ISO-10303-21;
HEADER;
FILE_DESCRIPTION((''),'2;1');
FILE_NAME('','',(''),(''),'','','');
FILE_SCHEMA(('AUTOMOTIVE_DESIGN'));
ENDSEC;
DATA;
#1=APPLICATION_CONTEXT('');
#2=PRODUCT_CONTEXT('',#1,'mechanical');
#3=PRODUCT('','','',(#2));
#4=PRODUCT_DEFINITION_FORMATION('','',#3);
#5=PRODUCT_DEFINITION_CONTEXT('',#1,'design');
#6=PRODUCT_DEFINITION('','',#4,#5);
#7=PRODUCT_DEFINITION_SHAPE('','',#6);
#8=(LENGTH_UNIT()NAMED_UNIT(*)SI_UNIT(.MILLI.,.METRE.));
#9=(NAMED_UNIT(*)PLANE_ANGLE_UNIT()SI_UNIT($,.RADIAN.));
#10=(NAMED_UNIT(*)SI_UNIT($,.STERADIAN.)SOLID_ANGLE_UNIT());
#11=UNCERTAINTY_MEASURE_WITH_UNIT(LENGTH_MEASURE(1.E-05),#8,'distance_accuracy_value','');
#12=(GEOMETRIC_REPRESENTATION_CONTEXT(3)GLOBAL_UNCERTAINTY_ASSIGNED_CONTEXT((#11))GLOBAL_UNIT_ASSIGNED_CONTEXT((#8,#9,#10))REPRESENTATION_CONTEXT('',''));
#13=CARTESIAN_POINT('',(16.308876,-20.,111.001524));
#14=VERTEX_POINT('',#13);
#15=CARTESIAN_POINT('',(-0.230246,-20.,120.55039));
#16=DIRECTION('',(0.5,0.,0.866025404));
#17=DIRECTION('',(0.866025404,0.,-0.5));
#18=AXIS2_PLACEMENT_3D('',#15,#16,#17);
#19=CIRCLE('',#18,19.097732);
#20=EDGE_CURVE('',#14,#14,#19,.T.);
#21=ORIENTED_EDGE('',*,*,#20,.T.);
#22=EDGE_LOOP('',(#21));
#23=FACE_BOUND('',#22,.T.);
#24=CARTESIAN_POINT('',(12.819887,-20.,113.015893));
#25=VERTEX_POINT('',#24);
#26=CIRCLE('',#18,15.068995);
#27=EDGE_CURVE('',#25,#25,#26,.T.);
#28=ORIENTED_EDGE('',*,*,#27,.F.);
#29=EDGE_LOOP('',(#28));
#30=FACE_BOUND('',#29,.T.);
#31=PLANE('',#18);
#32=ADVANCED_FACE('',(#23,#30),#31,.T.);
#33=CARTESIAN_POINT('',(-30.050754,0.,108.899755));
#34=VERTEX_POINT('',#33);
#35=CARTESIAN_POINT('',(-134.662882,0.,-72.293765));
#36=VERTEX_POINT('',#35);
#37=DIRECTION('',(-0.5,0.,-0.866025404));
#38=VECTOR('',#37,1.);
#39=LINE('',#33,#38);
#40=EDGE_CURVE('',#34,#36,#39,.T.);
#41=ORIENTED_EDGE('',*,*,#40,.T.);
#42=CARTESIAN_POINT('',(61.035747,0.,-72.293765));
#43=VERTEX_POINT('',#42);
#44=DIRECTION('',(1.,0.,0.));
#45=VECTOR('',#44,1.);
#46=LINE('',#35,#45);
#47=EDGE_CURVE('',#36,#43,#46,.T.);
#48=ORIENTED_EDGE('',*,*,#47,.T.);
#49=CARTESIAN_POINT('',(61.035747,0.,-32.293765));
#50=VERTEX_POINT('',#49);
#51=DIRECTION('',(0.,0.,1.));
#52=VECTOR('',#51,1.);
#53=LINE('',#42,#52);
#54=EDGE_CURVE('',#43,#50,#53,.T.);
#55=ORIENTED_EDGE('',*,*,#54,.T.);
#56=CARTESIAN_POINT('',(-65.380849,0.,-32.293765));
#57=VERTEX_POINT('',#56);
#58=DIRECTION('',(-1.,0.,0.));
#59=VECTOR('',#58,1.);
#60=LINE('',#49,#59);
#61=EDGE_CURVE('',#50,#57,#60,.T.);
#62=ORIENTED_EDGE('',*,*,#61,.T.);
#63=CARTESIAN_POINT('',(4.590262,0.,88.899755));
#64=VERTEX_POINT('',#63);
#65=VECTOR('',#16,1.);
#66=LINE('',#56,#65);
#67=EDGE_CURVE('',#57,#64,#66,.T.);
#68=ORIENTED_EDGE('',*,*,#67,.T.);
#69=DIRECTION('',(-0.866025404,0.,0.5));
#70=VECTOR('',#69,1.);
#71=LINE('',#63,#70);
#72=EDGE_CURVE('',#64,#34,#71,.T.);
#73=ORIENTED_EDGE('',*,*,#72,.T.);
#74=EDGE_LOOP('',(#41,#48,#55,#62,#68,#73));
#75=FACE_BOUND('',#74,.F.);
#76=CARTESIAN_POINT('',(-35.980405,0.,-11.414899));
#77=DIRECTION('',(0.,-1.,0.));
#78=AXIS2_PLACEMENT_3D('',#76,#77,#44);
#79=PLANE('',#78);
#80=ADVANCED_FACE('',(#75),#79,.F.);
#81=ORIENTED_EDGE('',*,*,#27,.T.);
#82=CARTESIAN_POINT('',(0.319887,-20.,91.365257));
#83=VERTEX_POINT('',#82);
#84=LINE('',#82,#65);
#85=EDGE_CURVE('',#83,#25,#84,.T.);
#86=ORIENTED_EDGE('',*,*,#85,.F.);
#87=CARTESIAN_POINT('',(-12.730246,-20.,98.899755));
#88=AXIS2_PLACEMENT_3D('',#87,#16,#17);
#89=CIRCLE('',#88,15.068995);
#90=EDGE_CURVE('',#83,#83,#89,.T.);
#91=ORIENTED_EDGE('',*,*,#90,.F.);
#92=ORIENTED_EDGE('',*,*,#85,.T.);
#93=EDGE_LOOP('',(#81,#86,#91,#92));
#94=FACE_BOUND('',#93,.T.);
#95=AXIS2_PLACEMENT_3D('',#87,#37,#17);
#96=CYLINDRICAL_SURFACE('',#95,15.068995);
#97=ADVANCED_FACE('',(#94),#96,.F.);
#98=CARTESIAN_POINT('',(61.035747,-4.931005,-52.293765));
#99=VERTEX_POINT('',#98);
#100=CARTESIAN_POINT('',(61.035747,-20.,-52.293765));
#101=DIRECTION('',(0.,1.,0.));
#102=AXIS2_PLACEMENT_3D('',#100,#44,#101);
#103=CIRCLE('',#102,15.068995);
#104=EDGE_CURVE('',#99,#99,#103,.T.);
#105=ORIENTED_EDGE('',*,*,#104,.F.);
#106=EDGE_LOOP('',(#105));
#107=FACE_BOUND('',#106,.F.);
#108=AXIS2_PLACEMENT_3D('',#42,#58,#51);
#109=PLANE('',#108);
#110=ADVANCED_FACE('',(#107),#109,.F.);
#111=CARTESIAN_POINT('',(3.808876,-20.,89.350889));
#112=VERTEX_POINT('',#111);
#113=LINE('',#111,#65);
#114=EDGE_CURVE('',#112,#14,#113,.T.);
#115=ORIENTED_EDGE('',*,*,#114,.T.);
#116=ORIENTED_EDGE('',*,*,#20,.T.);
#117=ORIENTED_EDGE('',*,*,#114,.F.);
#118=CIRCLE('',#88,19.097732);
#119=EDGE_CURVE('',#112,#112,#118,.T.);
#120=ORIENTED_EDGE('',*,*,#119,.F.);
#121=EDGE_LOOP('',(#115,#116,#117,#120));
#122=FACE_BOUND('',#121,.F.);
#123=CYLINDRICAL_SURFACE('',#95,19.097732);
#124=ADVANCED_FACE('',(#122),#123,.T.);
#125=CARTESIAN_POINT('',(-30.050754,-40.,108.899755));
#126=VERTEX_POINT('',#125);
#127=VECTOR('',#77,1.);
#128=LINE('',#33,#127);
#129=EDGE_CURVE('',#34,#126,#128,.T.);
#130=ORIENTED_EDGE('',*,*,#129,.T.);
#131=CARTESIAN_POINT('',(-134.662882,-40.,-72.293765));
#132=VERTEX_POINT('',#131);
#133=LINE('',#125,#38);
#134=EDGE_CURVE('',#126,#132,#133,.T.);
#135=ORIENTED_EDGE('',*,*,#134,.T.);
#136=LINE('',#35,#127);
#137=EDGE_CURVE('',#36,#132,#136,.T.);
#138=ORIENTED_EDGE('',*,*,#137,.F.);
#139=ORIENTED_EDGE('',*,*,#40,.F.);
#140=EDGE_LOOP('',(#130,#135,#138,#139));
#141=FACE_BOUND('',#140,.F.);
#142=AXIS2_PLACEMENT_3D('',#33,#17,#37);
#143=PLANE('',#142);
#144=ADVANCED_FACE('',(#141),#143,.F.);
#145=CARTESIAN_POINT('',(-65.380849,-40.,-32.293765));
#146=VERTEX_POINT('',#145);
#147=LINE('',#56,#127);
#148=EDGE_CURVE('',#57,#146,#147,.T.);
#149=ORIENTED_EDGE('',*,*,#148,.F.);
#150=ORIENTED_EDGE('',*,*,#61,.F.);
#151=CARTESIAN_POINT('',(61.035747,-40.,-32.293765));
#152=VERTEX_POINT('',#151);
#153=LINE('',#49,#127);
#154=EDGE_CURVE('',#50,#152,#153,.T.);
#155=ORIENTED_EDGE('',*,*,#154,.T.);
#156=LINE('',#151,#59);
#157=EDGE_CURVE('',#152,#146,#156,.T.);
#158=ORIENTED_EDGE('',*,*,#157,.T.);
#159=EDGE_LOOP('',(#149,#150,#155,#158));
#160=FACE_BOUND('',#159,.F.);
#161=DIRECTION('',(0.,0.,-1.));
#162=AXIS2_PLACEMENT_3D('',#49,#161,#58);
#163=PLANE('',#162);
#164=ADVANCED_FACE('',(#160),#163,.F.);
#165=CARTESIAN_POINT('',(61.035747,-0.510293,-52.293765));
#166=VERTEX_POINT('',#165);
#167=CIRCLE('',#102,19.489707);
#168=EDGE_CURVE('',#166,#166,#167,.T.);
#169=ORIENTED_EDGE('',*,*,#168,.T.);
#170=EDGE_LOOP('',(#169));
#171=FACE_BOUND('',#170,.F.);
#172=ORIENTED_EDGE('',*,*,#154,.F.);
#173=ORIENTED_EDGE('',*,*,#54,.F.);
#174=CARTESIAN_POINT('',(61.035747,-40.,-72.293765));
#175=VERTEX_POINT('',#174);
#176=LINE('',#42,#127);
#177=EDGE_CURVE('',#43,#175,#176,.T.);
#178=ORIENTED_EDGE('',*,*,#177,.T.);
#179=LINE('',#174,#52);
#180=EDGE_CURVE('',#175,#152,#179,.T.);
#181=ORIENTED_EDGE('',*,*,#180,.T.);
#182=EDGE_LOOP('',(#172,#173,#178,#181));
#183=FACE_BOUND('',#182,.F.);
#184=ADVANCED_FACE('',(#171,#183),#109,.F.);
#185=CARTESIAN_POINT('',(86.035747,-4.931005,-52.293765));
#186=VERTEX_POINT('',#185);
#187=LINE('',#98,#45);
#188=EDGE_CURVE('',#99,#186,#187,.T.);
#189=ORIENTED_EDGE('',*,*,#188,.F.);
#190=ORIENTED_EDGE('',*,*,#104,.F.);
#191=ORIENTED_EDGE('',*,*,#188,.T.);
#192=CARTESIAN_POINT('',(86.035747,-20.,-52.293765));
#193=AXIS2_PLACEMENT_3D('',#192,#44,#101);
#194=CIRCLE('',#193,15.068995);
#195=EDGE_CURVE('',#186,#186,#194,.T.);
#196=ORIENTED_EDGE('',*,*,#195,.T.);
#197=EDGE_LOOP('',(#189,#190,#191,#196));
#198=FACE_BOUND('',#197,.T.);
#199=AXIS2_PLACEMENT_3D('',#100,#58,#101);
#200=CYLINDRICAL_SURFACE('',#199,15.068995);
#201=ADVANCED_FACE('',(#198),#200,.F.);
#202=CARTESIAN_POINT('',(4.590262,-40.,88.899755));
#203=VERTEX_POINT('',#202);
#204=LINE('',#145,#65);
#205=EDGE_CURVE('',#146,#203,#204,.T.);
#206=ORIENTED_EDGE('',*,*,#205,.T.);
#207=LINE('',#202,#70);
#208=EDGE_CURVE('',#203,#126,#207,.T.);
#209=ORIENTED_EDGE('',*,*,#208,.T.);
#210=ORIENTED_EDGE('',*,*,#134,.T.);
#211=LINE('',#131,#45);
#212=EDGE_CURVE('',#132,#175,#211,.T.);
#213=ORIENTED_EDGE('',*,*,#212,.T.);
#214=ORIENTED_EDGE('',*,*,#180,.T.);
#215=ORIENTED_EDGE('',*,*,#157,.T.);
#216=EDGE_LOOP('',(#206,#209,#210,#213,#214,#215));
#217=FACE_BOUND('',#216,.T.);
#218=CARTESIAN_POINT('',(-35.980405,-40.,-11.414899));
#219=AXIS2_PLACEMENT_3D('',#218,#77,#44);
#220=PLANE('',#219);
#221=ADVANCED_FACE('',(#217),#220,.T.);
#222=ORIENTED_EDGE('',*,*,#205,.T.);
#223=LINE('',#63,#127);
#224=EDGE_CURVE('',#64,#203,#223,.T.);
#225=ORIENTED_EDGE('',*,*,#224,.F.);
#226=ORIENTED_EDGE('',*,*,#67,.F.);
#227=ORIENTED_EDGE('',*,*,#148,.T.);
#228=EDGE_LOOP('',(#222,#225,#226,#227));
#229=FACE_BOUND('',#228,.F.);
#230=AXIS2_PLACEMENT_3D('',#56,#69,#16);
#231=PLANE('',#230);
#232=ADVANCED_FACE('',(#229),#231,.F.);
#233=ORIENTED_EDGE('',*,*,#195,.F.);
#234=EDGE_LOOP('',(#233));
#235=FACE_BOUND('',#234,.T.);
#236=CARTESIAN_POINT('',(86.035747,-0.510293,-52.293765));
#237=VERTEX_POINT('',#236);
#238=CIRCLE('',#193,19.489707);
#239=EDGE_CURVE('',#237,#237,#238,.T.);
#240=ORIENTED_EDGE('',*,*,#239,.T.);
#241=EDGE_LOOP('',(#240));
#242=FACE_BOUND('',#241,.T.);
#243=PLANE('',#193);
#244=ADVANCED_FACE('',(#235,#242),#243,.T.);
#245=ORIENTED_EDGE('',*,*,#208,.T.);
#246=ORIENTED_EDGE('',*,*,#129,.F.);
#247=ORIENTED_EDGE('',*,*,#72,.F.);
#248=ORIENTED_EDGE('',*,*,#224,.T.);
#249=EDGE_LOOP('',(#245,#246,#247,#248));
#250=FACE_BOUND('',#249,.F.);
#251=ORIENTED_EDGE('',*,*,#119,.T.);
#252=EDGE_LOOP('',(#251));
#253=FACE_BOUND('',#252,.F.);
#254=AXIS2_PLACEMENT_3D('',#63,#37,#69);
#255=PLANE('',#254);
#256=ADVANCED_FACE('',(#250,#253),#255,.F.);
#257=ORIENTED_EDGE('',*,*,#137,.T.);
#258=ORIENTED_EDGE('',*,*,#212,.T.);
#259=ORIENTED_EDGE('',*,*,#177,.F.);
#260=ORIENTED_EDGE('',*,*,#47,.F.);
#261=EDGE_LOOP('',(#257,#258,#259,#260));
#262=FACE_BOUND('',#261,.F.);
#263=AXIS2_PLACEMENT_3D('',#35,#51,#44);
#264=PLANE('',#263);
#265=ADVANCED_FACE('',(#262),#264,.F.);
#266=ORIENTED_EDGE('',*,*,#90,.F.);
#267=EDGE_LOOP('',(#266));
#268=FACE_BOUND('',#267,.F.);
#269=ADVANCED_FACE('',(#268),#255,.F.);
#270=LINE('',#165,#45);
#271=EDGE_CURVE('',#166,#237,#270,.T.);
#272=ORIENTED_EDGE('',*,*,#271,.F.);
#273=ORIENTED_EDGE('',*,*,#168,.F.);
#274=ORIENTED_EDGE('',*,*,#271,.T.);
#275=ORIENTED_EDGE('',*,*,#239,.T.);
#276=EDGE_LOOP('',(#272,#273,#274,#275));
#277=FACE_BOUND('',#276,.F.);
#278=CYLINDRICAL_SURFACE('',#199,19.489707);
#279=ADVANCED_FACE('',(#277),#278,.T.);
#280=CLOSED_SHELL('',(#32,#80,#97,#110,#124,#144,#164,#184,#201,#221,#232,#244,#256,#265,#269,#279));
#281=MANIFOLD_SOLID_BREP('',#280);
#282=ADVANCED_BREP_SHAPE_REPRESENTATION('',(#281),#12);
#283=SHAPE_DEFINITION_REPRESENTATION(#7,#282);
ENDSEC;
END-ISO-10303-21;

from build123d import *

# Parameters (mm, degrees)
F1_DEPTH = 40
F2_R     = 19.0977324209
F2_R_2   = 15.0689951662
F3_DEPTH = 25
F4_R     = 19.4897068619
F4_R_2   = 15.068995
F5_DEPTH = 25


with BuildPart() as f1:
    # F0 (on Front) → F1 (new body)
    with BuildSketch(Plane.XZ):
        Polygon((61.0357465344, -32.2937653869), (-65.3808493135, -32.2937653869), (4.5902623163, 88.899755018), (-30.0507538351, 108.899755018), (-134.6628816163, -72.2937653869), (61.0357465344, -72.2937653869), align=None)
    extrude(amount=F1_DEPTH)

    # F2 (on face) → F3 (join)
    with BuildSketch(Plane(origin=(39.642288697, 0, 68.6624581515), x_dir=(0.8660254038, 0, -0.5), z_dir=(0.5, 0, 0.8660254038))):
        with Locations((-60.4745937331, -20)):
            Circle(F2_R)
        with Locations((-60.4745937331, -20)):
            Circle(F2_R_2, mode=Mode.SUBTRACT)
    extrude(amount=F3_DEPTH)

    # F4 (on face) → F5 (join)
    with BuildSketch(Plane.YZ.offset(61.0357465344)):
        with Locations((-20, -52.2937653869)):
            Circle(F4_R)
        with Locations((-20, -52.2937653869)):
            Circle(F4_R_2, mode=Mode.SUBTRACT)
    extrude(amount=F5_DEPTH)


solid = f1.part
